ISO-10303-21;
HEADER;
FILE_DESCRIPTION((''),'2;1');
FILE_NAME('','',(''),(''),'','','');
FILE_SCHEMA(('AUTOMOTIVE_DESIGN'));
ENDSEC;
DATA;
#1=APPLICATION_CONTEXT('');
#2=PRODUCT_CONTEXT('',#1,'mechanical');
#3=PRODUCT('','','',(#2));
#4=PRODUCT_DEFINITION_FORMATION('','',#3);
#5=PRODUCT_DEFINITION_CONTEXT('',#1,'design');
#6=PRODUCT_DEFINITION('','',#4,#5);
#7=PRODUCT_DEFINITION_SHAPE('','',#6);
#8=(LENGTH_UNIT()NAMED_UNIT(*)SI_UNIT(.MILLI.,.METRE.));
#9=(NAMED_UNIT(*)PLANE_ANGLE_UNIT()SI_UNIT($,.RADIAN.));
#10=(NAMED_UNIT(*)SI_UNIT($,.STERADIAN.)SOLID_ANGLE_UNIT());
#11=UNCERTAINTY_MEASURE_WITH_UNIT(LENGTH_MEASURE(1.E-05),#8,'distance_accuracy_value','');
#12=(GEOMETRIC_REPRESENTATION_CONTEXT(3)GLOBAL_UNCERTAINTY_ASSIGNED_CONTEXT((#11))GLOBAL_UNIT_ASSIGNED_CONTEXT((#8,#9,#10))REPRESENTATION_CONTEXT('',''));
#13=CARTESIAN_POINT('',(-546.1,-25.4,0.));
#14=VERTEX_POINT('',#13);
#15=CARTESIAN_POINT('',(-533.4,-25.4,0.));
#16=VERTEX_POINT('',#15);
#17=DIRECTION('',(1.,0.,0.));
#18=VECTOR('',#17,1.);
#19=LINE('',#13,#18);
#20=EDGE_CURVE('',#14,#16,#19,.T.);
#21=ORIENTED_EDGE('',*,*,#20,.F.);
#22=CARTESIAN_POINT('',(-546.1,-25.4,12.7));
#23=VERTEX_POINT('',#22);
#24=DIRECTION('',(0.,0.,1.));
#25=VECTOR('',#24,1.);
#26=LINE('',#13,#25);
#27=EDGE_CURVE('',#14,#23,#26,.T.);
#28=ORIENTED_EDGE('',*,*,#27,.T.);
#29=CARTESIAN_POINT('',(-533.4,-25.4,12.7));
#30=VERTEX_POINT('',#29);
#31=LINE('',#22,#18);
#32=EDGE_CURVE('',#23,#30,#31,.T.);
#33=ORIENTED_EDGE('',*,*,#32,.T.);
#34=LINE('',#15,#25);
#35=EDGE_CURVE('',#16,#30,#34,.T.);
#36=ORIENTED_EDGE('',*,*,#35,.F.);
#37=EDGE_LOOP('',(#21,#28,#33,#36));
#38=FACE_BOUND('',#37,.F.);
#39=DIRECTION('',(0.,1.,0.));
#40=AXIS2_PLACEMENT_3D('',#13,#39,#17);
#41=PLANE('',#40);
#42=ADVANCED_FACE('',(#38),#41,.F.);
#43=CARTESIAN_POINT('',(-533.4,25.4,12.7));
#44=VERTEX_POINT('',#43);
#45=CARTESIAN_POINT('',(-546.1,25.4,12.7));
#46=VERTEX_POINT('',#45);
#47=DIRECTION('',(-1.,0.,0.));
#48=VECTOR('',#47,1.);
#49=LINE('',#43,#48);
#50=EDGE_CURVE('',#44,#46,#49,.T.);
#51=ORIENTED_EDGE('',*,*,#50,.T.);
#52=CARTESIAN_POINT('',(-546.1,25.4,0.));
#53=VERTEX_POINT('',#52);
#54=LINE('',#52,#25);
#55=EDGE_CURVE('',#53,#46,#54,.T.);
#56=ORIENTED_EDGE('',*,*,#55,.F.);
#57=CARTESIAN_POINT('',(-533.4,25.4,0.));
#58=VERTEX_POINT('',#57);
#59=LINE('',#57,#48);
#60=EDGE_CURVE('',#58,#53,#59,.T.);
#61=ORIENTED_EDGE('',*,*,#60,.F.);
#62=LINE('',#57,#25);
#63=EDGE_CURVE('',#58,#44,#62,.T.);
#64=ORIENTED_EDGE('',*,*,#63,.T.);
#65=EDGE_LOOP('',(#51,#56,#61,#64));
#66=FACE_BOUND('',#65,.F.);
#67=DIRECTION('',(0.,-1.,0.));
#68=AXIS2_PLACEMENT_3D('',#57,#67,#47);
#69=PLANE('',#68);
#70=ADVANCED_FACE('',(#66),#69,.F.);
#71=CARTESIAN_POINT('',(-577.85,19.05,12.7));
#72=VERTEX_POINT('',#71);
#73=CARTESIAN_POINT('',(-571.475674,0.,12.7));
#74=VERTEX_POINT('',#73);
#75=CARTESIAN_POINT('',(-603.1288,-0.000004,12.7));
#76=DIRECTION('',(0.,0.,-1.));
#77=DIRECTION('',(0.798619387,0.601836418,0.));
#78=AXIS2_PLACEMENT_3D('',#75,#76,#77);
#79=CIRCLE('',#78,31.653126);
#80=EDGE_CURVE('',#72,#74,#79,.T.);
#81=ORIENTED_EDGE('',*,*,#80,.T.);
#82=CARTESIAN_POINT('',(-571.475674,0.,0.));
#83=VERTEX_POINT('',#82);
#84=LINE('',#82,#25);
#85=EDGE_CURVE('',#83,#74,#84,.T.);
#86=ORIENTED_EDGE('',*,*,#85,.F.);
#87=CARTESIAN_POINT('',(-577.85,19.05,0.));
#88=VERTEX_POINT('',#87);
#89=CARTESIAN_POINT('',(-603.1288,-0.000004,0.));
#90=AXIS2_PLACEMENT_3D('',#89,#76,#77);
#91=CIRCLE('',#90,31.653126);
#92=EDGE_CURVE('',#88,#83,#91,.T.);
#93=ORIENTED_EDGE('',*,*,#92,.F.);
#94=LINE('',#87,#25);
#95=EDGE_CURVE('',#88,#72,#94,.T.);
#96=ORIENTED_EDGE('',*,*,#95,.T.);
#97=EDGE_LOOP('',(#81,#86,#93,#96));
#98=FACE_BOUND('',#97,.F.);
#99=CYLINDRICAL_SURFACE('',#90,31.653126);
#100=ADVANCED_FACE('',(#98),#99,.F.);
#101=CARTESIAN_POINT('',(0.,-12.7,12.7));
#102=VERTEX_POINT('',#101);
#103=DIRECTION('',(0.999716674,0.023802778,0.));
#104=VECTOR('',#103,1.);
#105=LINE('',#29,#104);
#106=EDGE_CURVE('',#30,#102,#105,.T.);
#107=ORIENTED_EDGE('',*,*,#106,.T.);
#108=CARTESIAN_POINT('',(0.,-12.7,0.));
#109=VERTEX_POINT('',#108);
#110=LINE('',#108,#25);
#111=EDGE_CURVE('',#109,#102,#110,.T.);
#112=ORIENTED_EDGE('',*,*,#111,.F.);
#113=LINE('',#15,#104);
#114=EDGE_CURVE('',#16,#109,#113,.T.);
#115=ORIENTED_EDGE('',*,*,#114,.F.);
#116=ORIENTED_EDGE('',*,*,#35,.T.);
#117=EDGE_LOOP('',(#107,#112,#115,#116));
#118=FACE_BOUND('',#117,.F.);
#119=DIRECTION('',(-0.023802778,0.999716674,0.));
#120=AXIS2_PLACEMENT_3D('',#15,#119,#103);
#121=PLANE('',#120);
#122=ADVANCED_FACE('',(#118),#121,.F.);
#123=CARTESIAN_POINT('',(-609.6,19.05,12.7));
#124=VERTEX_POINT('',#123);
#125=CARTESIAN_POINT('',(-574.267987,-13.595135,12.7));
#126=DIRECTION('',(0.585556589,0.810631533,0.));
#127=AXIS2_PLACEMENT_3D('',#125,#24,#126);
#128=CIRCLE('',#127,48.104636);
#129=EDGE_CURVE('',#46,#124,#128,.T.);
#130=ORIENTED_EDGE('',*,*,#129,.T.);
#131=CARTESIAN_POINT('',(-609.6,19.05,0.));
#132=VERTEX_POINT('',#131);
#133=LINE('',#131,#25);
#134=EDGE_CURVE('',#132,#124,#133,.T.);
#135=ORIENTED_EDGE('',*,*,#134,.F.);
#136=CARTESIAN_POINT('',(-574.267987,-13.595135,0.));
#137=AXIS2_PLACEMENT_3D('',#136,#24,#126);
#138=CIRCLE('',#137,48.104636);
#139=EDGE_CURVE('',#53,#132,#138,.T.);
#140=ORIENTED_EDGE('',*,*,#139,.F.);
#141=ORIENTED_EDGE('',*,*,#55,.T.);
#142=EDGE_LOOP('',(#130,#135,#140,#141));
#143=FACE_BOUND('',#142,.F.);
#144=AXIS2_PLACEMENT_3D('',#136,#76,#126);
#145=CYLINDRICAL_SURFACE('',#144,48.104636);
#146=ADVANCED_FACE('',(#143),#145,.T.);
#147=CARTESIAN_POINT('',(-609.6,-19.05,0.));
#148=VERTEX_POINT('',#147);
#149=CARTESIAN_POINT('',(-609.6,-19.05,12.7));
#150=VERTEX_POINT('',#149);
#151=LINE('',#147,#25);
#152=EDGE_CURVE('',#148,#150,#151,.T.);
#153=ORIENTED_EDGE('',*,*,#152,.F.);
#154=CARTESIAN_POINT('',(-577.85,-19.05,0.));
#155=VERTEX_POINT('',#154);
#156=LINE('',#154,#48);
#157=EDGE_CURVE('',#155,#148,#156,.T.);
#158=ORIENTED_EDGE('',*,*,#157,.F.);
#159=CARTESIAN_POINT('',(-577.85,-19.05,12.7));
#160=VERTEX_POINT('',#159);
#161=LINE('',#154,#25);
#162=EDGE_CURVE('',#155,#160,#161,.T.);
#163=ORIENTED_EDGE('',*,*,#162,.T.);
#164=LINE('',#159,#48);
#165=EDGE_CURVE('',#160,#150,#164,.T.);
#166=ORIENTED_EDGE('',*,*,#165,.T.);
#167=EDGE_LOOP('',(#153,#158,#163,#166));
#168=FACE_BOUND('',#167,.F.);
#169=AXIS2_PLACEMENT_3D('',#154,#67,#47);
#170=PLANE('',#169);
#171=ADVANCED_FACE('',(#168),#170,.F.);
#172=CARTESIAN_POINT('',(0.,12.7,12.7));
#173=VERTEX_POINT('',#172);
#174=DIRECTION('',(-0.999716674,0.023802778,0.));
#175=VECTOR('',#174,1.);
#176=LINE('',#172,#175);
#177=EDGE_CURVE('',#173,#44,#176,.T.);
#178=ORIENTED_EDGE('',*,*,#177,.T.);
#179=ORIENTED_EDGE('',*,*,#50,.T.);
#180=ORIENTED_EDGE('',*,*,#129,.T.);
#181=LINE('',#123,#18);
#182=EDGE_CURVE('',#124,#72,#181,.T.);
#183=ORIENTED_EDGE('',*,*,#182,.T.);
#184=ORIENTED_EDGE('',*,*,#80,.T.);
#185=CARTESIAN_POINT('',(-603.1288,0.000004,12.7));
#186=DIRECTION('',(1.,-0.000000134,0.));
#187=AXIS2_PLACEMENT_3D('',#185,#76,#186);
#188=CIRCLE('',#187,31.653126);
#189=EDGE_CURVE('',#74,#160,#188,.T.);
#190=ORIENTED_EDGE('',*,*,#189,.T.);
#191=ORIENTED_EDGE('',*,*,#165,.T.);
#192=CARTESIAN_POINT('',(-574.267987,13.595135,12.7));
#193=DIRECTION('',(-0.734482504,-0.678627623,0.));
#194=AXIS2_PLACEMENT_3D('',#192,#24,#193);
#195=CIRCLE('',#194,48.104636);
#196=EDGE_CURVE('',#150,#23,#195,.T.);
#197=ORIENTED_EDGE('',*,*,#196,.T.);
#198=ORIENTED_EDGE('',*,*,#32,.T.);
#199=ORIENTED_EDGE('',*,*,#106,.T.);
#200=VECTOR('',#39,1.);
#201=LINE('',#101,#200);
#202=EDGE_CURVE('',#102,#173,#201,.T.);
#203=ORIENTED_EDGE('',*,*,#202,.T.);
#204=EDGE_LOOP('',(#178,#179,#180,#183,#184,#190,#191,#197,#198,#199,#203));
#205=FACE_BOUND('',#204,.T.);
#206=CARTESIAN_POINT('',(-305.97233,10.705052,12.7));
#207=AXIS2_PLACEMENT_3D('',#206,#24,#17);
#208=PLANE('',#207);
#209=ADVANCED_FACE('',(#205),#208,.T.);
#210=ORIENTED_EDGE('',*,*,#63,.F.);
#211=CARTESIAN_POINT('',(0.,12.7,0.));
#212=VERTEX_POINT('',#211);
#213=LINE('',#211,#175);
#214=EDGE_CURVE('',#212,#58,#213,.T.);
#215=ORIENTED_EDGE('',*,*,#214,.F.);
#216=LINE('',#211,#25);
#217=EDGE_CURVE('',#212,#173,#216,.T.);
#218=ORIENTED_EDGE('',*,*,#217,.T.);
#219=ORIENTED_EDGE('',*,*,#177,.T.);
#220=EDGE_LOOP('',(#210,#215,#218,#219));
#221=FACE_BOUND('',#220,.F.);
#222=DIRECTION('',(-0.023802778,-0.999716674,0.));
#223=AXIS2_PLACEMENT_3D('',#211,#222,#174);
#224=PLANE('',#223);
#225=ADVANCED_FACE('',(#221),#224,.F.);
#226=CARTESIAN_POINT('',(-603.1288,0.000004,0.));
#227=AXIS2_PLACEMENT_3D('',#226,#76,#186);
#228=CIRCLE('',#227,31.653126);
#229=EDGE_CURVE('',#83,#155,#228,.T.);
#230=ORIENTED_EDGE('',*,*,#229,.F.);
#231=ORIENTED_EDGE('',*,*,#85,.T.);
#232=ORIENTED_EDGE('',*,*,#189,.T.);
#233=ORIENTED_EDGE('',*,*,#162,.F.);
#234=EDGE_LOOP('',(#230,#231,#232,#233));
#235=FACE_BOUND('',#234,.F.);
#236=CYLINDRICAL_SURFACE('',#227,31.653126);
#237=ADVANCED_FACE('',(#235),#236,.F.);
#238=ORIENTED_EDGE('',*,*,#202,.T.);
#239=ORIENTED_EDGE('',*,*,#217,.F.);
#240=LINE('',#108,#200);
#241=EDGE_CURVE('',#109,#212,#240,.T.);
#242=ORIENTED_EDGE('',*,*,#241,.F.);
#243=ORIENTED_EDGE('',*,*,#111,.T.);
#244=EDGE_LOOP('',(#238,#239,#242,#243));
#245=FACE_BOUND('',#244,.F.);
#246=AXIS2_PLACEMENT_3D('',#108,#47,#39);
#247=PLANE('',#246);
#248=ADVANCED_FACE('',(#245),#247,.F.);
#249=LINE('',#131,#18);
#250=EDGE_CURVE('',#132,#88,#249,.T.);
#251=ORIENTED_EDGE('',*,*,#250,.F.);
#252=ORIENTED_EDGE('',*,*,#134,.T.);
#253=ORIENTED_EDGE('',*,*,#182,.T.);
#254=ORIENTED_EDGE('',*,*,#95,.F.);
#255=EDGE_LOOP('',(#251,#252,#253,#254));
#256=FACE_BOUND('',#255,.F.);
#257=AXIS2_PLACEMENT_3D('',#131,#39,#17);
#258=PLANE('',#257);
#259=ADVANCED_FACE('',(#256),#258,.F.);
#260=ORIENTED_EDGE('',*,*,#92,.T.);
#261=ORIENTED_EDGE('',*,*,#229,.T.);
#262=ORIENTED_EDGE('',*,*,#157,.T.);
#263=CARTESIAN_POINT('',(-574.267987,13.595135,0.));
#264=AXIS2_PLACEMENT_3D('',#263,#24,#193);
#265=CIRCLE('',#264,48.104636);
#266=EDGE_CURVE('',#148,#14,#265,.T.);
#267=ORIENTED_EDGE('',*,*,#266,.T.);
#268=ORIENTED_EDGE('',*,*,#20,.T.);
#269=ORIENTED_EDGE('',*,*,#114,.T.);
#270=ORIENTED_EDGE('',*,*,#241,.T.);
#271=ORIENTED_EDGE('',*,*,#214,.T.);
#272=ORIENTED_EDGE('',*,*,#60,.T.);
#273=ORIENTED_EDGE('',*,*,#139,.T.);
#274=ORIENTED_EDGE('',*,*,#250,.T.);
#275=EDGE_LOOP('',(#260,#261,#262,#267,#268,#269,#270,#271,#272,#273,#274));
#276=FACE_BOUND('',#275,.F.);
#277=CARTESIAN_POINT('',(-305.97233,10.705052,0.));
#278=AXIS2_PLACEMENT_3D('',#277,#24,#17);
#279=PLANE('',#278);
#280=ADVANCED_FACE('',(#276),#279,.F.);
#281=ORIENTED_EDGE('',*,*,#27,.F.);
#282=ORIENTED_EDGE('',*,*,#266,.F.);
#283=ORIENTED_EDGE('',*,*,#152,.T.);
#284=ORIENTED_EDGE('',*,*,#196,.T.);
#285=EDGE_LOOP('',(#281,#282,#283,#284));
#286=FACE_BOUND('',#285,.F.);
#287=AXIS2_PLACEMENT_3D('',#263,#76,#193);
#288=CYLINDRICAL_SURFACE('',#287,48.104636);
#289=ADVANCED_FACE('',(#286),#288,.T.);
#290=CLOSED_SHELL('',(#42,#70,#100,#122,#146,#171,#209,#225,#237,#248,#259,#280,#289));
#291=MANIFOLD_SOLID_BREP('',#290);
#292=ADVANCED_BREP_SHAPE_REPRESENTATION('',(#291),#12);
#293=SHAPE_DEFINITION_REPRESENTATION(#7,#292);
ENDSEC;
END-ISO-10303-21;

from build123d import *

# Parameters (mm, degrees)
F1_DEPTH = 12.7


with BuildPart() as f1:
    # F0 (on Top) → F1 (new body)
    with BuildSketch(Plane.XY):
        with BuildLine():
            Line((-571.475674, 0), (0, 0))
            Line((0, 0), (0, 12.7))
            Line((0, 12.7), (-533.4, 25.4))
            Line((-533.4, 25.4), (-546.1, 25.4))
            ThreePointArc((-546.1, 25.4), (-579.054577, 34.270767), (-609.6, 19.05))
            Line((-609.6, 19.05), (-577.85, 19.05))
            ThreePointArc((-577.85, 19.05), (-573.111527, 10.044084), (-571.475674, 0))
        make_face()
        with BuildLine():
            Line((0, -12.7), (0, 0))
            Line((0, 0), (-571.475674, 0))
            ThreePointArc((-571.475674, 0), (-573.111527, -10.044084), (-577.85, -19.05))
            Line((-577.85, -19.05), (-609.6, -19.05))
            ThreePointArc((-609.6, -19.05), (-579.054577, -34.270767), (-546.1, -25.4))
            Line((-546.1, -25.4), (-533.4, -25.4))
            Line((-533.4, -25.4), (0, -12.7))
        make_face()
    extrude(amount=F1_DEPTH)


solid = f1.part
